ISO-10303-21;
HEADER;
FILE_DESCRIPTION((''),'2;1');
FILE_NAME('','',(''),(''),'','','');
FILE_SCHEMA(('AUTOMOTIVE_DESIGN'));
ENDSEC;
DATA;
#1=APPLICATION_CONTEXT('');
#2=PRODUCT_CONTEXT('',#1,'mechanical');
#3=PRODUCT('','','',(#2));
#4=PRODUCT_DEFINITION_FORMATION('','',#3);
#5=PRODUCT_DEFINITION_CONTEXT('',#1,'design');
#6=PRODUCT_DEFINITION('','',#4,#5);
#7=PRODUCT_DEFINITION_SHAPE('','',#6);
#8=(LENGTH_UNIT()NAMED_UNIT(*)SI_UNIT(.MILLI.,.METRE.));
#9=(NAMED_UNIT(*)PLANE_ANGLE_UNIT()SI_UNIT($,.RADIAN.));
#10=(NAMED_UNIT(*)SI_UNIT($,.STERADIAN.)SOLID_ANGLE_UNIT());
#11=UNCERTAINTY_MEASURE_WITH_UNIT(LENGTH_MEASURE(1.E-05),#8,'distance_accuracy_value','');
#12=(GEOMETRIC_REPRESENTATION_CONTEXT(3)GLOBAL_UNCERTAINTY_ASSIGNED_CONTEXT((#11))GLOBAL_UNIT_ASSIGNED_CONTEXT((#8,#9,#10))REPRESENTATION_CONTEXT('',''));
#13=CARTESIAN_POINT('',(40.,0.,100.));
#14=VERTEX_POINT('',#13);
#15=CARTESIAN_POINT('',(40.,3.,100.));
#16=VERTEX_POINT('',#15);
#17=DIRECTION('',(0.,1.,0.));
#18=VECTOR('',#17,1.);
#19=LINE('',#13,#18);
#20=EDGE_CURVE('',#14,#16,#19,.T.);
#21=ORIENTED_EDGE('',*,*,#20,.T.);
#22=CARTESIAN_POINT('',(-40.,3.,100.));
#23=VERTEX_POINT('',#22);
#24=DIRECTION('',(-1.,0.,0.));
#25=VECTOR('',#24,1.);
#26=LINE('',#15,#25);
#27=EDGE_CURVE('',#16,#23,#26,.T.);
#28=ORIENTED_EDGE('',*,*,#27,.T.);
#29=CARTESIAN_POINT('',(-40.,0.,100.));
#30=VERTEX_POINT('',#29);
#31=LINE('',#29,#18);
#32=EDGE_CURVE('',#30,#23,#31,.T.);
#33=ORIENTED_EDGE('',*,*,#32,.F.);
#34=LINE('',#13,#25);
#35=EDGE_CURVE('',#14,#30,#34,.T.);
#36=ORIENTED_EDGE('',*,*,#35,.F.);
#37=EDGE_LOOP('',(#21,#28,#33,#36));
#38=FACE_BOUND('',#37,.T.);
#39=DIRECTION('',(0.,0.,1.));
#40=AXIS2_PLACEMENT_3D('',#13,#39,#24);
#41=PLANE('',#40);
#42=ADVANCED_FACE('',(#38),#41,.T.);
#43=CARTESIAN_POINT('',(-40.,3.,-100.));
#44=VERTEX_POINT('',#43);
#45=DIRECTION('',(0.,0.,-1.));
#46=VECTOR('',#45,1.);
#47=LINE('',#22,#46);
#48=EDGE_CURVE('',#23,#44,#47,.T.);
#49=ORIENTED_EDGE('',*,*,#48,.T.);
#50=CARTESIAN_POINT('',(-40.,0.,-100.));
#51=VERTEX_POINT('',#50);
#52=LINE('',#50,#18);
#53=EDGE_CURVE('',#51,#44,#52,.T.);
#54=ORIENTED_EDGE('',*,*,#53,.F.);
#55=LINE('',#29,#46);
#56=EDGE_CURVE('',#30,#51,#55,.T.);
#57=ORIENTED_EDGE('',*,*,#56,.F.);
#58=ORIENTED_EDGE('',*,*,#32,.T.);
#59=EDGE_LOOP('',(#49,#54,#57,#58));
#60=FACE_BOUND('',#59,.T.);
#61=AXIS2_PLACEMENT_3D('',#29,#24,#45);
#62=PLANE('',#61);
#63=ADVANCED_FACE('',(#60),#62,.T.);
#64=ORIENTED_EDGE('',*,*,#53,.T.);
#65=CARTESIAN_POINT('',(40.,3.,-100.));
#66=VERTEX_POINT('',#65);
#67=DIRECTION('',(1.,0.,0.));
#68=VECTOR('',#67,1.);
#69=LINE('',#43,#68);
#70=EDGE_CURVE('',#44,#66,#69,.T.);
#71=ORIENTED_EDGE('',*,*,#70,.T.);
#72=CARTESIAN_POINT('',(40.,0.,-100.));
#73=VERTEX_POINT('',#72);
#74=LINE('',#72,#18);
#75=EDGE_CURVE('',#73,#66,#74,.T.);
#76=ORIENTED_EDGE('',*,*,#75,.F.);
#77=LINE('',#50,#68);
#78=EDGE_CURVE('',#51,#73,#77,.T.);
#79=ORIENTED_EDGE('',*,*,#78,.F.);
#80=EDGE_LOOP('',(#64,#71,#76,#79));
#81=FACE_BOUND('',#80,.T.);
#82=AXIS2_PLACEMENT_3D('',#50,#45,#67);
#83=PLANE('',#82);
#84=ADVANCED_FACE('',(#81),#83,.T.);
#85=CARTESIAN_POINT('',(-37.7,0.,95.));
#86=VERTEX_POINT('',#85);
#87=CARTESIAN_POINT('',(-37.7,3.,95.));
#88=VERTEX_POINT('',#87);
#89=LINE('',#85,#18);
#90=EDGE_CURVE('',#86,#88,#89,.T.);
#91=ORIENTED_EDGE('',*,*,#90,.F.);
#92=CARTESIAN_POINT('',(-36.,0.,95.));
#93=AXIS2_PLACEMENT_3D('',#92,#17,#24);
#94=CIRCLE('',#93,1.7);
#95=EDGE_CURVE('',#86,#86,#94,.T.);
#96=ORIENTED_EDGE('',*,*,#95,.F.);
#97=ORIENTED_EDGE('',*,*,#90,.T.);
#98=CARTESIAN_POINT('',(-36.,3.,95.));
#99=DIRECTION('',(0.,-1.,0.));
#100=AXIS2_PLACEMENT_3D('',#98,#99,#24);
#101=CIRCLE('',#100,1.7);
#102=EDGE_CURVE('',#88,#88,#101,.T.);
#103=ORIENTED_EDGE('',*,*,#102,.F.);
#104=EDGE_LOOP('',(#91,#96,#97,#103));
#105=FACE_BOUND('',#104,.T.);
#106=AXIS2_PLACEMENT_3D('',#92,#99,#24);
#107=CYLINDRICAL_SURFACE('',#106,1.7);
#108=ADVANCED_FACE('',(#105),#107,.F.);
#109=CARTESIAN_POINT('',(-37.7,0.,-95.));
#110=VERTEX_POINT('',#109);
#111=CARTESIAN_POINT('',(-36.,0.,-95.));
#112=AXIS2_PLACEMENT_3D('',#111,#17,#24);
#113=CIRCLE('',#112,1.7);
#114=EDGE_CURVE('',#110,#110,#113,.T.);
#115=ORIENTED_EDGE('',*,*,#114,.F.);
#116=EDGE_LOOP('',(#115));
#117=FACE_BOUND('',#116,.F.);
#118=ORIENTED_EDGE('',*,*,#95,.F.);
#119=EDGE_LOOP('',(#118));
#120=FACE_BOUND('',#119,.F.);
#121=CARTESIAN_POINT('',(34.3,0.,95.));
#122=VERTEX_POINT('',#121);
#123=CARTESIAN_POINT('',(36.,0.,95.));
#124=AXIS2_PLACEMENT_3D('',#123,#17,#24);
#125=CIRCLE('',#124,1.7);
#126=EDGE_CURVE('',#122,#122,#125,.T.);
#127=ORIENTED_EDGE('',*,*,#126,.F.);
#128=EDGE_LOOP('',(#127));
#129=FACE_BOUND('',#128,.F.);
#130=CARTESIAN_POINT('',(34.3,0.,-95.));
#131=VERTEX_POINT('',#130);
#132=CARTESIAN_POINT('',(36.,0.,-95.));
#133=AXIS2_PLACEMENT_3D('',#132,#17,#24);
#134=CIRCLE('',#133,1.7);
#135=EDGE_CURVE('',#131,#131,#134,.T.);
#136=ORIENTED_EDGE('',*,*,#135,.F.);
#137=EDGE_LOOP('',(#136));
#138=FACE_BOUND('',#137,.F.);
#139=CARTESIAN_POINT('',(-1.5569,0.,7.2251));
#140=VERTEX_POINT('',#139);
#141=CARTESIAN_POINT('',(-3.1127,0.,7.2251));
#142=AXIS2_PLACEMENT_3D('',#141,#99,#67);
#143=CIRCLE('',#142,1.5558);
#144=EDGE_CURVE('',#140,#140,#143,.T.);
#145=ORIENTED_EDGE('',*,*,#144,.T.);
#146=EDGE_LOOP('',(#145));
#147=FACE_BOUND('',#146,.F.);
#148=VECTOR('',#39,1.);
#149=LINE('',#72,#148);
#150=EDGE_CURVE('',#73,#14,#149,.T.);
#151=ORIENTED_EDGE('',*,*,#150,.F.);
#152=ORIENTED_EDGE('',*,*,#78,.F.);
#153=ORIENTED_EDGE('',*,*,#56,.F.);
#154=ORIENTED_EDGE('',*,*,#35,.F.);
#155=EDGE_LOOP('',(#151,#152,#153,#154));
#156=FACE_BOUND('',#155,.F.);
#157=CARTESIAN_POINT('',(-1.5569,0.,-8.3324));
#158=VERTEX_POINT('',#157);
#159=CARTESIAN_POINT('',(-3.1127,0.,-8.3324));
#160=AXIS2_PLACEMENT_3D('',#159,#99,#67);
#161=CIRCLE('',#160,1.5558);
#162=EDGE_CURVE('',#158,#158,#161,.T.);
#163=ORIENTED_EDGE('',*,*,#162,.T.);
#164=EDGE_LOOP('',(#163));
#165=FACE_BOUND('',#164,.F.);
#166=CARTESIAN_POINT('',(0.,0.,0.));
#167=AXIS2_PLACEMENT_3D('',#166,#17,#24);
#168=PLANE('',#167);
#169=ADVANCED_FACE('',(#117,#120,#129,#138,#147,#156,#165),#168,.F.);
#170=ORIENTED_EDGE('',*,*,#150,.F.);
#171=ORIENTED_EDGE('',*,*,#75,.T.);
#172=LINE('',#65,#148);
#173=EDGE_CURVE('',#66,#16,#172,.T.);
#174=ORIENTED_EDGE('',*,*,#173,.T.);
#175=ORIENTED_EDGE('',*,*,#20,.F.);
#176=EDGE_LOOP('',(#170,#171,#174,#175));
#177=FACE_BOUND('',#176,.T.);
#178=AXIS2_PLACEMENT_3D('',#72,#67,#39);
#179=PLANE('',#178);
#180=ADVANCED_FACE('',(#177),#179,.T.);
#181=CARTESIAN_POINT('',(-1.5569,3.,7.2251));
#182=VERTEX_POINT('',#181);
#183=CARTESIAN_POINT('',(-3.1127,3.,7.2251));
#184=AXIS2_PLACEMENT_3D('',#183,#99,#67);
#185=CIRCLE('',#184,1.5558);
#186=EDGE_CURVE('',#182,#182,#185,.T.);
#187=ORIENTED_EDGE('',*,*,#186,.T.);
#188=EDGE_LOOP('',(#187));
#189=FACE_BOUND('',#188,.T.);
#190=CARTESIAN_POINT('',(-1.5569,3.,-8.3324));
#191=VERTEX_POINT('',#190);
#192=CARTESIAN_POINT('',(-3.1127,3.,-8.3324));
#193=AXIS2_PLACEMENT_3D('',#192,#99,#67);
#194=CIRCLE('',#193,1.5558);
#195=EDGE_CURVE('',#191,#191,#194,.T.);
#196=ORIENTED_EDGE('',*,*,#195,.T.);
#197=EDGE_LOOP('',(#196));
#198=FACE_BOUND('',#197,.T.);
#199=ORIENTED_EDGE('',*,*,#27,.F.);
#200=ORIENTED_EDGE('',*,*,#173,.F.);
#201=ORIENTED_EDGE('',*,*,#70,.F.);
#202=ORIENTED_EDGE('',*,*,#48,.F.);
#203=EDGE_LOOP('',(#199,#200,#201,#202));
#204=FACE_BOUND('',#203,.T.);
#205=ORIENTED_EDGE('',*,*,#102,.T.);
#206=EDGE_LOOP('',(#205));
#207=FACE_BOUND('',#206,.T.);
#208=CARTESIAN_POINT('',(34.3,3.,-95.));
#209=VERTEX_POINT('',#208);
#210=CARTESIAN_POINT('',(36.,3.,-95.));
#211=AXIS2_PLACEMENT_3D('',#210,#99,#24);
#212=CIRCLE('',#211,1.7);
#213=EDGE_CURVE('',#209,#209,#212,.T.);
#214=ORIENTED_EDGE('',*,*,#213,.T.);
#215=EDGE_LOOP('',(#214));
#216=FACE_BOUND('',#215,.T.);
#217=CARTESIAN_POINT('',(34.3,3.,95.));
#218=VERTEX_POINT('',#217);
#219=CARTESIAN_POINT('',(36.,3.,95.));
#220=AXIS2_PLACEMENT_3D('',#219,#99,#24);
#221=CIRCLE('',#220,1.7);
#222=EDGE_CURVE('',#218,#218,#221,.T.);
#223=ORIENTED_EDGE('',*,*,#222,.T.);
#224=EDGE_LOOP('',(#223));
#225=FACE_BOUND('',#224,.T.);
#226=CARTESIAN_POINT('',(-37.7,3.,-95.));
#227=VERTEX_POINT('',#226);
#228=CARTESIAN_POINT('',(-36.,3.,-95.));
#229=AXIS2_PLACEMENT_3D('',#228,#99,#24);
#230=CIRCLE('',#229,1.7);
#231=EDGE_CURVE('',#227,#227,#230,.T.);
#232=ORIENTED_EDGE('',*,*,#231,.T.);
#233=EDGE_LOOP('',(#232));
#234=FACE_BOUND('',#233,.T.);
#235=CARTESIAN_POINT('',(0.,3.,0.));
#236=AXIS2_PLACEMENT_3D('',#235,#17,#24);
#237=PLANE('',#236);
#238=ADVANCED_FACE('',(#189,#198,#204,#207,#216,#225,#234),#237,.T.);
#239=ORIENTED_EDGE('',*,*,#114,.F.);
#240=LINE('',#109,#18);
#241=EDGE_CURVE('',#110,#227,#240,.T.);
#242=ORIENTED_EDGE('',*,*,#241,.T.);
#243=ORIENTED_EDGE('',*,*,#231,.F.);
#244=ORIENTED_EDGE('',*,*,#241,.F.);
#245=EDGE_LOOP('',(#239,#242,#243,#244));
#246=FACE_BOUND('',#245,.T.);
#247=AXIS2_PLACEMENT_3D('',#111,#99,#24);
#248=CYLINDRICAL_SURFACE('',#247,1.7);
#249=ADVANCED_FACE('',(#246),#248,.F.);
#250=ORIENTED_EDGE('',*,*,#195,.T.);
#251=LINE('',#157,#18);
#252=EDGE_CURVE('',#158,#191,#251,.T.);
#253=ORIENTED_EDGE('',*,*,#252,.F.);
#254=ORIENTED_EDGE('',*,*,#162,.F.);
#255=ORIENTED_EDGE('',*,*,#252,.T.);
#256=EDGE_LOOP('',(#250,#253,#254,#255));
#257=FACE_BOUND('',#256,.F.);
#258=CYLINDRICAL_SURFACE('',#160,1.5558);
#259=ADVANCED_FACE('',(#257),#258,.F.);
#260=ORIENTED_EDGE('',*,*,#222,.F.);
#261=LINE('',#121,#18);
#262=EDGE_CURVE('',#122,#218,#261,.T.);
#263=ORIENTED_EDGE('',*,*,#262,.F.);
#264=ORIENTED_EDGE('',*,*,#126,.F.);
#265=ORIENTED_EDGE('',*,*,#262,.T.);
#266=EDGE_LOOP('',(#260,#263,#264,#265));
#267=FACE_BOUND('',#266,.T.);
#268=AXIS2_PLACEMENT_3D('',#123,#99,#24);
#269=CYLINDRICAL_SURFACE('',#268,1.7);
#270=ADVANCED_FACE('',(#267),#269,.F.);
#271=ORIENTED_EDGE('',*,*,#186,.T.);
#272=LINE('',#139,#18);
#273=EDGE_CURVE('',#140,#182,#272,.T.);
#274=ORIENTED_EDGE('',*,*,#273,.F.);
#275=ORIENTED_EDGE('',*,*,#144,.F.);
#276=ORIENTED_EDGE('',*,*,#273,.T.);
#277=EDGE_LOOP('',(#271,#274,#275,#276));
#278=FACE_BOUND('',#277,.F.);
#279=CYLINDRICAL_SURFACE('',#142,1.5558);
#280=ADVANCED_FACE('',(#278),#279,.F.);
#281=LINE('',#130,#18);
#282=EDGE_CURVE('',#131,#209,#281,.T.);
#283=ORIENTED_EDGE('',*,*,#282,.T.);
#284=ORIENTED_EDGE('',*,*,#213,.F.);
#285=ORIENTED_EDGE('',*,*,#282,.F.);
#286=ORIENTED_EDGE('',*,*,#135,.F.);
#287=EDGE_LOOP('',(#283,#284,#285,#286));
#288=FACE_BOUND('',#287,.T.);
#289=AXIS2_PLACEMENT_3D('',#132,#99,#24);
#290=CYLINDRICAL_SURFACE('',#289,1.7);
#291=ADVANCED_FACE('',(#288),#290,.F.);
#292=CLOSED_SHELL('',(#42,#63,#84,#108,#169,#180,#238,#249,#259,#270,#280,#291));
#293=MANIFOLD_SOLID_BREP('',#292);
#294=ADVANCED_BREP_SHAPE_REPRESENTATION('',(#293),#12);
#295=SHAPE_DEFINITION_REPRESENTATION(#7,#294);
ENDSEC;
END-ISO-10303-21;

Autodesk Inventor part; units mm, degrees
ref_plane "YZ Plane" through (0, 0, 0) normal (1, 0, 0) x (0, 1, 0)
ref_plane "XZ Plane" through (0, 0, 0) normal (0, 1, 0) x (-1, 0, 0)
ref_plane "XY Plane" through (0, 0, 0) normal (0, 0, 1) x (1, 0, 0)
sketch "Skizze1" plane through (0, 0, 0) normal (0, 1, 0) x (-1, 0, 0)
  line L0 (40, 100) -> (40, -100)
  line L1 (40, -100) -> (-40, -100)
  line L2 (-40, -100) -> (-40, 100)
  line L3 (-40, 100) -> (40, 100)
  line L4 (0, 61.8387) -> (0, -129.7607) construction
  line L5 (83.0665, 0) -> (-88.5254, 0) construction
  circle A0 centre (36, 95) radius 1.7
  circle A1 centre (-36, 95) radius 1.7
  circle A2 centre (-36, -95) radius 1.7
  circle A3 centre (36, -95) radius 1.7
  circle A4 centre (3.1127, 7.2251) radius 1.5558
  circle A5 centre (3.1127, -8.3324) radius 1.5558
  point P0 (0, 0)
  dimension "d1" = 40
  dimension "d2" = 40
  dimension "d3" = 100
  dimension "d4" = 100
  dimension "d7" = 3.4
  dimension "d8" = 4
  dimension "d9" = 5
  dimension "d10" = 3.4
  dimension "d11" = 4
  dimension "d12" = 5
  dimension "d13" = 3.4
  dimension "d14" = 4
  dimension "d15" = 5
  dimension "d16" = 3.4
  dimension "d17" = 5
  dimension "d18" = 4
extrude "Extrusion1" add sketch "Skizze1" along normal blind 3 contours L0 L1 L2 L3 | A0 | A1 | A2 | A3 | A4 | A5
extrude "Extrusion2" cut sketch "Skizze1" along normal blind 10 contours A0 | A1 | A2 | A3
sketch "Skizze2" plane through (0, 0, 0) normal (0, -1, 0) x (1, 0, 0)
  circle A0 centre (-3.1127, 7.2251) radius 1.5558 projected
  circle A1 centre (-3.1127, -8.3324) radius 1.5558 projected
  point P0 (0, 0)
extrude "Extrusion3" cut sketch "Skizze2" against normal blind 10
properties part number "Chassis-2" material "Polycarbonat, rauchfarben"
